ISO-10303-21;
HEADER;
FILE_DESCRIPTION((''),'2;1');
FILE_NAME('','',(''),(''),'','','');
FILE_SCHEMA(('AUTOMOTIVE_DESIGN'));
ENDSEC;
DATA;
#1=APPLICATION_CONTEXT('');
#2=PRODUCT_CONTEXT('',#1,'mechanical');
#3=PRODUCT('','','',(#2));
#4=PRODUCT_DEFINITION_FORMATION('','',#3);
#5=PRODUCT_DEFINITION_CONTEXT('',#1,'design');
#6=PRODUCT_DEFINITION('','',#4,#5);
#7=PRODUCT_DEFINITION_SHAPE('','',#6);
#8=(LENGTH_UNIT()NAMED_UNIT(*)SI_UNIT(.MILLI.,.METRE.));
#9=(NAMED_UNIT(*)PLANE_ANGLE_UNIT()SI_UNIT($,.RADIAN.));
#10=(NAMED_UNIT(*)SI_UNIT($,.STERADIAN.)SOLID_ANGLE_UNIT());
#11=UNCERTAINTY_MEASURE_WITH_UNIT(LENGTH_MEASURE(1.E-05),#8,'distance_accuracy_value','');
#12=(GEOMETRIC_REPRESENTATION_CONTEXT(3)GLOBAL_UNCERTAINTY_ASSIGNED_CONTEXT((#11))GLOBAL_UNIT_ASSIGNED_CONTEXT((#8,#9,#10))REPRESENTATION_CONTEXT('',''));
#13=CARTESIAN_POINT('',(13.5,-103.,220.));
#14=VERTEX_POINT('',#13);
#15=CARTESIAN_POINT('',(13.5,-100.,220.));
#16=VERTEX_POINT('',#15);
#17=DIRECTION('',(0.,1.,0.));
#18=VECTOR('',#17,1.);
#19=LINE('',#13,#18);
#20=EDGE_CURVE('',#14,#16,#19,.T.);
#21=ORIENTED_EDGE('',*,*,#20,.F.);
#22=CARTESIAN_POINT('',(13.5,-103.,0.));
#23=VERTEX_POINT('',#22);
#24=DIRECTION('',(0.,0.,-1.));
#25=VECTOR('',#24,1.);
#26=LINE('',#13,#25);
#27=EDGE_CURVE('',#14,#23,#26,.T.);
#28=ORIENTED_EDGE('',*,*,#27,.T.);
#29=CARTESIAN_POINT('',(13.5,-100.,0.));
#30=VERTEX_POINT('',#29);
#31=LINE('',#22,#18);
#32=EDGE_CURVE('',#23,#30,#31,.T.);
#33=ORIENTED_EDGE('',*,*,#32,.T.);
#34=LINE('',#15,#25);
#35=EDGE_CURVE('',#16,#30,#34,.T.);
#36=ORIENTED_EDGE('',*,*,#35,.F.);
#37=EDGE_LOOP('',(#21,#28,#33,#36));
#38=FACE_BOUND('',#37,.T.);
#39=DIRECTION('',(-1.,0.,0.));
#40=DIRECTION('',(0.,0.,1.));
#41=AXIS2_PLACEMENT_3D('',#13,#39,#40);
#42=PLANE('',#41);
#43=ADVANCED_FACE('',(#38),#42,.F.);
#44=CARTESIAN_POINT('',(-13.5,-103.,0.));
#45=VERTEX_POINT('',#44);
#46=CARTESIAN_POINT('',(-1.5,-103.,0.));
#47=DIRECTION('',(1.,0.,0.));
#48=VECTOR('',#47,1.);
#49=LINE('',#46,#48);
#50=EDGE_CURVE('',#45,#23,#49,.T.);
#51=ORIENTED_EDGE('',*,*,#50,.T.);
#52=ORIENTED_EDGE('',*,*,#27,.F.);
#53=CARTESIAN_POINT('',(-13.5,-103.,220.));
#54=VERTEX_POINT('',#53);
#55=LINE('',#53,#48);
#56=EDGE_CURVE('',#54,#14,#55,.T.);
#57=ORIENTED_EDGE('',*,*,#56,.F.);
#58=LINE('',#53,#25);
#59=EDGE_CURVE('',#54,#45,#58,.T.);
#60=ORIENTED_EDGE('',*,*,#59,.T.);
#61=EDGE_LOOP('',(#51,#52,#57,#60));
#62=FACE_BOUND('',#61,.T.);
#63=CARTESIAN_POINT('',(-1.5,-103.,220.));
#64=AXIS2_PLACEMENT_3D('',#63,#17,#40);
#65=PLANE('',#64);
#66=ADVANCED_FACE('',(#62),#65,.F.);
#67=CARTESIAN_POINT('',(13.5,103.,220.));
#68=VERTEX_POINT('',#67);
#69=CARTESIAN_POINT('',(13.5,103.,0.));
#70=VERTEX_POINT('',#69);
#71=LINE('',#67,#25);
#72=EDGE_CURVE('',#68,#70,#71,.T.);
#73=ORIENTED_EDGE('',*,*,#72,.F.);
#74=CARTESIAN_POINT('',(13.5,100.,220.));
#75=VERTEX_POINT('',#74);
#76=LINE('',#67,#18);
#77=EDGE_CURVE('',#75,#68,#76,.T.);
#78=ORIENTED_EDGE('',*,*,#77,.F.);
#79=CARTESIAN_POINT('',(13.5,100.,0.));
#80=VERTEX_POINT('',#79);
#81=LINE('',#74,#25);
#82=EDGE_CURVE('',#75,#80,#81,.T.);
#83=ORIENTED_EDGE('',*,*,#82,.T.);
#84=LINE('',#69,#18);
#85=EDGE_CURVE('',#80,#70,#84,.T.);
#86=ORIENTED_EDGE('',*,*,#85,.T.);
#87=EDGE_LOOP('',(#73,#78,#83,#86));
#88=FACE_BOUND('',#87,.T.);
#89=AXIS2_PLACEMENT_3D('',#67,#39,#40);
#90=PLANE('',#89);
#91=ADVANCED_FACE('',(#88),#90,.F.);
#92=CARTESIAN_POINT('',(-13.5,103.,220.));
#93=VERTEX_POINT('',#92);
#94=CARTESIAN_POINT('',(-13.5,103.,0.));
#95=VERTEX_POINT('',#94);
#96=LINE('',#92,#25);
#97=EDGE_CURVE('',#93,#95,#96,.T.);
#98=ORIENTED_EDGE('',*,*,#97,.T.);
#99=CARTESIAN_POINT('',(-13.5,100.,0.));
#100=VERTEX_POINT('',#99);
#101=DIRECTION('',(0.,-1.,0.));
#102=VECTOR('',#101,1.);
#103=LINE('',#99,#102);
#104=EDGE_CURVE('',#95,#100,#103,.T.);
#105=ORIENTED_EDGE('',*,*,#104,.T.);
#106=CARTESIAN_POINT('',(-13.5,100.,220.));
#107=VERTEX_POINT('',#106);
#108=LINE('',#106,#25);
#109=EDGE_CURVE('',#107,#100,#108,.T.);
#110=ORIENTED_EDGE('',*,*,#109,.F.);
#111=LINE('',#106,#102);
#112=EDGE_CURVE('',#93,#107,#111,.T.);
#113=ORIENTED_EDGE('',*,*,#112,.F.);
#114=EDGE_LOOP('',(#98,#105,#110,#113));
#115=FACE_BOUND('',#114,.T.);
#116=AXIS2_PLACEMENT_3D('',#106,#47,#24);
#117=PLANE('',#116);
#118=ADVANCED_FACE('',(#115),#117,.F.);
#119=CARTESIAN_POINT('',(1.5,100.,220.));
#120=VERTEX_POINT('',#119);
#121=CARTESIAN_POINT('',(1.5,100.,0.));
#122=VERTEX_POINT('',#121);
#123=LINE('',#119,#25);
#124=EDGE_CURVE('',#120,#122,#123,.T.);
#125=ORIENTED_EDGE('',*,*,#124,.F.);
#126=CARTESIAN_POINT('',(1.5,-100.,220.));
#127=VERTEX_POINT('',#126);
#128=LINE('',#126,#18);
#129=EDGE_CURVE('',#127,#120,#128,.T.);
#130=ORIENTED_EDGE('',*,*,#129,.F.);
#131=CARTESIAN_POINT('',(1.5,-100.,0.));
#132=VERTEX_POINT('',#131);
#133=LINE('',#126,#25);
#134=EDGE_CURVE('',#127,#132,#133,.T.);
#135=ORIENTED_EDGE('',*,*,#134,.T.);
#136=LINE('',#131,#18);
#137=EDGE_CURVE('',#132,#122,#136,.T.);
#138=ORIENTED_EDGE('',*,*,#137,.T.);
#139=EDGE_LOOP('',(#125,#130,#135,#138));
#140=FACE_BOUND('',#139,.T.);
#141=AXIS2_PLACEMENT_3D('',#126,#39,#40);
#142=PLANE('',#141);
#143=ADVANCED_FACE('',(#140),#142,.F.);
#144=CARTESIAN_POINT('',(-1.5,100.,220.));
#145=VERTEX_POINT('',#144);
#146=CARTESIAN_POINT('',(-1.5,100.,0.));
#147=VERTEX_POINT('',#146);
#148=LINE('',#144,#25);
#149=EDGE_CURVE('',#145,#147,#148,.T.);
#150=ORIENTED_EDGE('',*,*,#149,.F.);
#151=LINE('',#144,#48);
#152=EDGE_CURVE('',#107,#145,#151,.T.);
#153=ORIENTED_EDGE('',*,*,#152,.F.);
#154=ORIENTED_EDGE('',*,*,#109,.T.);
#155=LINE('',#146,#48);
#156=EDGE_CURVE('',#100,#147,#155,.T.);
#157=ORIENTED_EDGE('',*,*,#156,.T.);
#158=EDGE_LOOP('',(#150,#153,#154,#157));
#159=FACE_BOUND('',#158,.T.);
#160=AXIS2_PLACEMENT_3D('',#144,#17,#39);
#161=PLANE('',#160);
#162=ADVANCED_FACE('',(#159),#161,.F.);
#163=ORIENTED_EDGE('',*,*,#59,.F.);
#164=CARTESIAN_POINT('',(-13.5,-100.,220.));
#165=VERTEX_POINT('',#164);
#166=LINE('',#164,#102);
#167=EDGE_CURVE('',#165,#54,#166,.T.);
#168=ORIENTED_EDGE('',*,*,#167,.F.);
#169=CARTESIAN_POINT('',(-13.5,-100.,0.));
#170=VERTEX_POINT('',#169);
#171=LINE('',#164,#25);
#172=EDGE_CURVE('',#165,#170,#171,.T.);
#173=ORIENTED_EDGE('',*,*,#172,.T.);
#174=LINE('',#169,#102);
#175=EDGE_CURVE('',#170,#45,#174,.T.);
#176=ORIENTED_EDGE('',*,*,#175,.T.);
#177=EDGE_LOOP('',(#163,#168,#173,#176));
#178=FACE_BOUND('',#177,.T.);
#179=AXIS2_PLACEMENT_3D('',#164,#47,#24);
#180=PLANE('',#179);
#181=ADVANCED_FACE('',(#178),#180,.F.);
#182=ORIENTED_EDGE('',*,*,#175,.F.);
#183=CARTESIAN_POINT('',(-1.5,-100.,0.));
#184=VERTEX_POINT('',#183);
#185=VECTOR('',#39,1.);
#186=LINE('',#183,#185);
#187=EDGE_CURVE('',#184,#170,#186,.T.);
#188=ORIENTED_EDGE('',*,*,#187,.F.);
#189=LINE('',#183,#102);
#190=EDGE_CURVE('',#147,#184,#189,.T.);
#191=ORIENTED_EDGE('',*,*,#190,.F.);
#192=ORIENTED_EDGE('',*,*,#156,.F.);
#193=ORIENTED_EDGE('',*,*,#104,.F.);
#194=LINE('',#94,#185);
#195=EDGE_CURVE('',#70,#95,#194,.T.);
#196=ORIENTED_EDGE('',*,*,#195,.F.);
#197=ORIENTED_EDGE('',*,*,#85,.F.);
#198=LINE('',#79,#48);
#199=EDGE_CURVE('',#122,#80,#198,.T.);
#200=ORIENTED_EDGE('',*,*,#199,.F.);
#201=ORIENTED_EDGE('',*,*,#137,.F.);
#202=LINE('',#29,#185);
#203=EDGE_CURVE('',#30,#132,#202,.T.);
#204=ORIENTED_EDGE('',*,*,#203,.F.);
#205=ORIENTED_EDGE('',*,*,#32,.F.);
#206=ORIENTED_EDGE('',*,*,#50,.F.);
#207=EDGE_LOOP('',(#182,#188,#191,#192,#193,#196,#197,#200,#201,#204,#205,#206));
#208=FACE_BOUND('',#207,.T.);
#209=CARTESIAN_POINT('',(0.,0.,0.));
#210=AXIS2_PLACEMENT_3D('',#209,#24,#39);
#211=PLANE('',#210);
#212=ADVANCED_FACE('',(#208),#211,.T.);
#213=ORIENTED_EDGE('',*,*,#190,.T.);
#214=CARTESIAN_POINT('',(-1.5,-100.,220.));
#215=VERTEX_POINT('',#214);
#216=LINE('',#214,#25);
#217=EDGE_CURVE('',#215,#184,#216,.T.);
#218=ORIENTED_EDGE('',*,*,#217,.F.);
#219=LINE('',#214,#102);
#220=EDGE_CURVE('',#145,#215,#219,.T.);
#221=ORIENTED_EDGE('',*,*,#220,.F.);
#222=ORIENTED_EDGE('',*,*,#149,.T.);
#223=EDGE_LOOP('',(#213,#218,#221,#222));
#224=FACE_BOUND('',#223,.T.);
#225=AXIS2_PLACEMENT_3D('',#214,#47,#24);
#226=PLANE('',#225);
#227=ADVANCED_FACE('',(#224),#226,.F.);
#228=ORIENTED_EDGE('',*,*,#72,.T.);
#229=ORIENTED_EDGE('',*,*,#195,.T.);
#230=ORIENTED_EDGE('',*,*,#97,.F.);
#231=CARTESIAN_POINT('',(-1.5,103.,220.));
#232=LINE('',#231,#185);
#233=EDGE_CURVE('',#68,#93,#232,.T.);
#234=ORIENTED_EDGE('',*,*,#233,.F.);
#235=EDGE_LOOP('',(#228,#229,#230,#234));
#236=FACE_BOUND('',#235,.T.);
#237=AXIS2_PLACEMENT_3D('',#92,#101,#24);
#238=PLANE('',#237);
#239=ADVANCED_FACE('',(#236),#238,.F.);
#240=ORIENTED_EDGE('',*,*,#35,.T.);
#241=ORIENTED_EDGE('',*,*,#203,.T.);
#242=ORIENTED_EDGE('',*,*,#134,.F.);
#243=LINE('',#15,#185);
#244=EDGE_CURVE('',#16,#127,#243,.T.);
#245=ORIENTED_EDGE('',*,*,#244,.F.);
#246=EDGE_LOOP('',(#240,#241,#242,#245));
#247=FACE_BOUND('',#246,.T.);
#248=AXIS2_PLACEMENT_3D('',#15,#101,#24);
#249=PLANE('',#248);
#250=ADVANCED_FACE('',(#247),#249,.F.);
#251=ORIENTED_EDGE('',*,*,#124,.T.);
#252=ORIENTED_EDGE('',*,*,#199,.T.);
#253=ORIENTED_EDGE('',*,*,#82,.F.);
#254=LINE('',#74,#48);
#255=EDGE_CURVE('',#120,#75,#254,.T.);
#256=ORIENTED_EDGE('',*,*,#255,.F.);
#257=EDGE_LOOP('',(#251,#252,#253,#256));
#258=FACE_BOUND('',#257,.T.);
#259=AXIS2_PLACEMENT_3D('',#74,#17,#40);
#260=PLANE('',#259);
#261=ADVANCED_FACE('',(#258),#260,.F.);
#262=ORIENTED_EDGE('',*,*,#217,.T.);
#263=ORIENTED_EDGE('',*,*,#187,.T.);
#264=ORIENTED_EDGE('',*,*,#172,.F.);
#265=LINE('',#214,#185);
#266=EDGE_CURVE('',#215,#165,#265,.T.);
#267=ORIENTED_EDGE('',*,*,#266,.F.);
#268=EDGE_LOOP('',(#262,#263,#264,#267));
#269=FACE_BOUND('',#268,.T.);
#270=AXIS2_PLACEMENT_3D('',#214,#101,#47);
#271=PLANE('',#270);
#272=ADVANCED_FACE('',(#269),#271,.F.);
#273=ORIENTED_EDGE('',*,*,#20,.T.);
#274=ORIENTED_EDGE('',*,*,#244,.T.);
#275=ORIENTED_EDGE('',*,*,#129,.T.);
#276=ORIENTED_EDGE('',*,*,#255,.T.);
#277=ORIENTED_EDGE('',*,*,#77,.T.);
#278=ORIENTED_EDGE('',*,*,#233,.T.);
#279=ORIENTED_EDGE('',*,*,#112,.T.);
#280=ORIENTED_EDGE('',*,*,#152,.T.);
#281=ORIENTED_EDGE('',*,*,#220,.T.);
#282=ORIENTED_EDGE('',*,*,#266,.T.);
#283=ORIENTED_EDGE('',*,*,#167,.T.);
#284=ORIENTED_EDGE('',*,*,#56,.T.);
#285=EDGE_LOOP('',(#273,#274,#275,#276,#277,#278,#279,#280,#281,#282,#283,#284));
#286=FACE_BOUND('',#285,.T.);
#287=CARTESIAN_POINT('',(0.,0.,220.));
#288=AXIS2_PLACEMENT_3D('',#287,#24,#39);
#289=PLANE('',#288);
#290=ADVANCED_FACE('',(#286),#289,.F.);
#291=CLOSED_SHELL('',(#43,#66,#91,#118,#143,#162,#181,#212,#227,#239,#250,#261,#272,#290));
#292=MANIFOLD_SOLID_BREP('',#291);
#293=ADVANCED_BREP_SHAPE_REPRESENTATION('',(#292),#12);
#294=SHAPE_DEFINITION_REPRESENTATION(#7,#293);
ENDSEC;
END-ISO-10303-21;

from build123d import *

# Parameters (mm, degrees)
EXTRUDE_6_DEPTH = 220


with BuildPart() as part:
    # 草图3 → 凸台-拉伸6 (new body)
    with BuildSketch(Plane.XY):
        Polygon((1.5, -100), (1.5, 100), (13.5, 100), (13.5, 103), (-1.5, 103), (-13.5, 103), (-13.5, 100), (-1.5, 100), (-1.5, -100), (-13.5, -100), (-13.5, -103), (-1.5, -103), (13.5, -103), (13.5, -100), align=None)
    extrude(amount=EXTRUDE_6_DEPTH)


solid = part.part
